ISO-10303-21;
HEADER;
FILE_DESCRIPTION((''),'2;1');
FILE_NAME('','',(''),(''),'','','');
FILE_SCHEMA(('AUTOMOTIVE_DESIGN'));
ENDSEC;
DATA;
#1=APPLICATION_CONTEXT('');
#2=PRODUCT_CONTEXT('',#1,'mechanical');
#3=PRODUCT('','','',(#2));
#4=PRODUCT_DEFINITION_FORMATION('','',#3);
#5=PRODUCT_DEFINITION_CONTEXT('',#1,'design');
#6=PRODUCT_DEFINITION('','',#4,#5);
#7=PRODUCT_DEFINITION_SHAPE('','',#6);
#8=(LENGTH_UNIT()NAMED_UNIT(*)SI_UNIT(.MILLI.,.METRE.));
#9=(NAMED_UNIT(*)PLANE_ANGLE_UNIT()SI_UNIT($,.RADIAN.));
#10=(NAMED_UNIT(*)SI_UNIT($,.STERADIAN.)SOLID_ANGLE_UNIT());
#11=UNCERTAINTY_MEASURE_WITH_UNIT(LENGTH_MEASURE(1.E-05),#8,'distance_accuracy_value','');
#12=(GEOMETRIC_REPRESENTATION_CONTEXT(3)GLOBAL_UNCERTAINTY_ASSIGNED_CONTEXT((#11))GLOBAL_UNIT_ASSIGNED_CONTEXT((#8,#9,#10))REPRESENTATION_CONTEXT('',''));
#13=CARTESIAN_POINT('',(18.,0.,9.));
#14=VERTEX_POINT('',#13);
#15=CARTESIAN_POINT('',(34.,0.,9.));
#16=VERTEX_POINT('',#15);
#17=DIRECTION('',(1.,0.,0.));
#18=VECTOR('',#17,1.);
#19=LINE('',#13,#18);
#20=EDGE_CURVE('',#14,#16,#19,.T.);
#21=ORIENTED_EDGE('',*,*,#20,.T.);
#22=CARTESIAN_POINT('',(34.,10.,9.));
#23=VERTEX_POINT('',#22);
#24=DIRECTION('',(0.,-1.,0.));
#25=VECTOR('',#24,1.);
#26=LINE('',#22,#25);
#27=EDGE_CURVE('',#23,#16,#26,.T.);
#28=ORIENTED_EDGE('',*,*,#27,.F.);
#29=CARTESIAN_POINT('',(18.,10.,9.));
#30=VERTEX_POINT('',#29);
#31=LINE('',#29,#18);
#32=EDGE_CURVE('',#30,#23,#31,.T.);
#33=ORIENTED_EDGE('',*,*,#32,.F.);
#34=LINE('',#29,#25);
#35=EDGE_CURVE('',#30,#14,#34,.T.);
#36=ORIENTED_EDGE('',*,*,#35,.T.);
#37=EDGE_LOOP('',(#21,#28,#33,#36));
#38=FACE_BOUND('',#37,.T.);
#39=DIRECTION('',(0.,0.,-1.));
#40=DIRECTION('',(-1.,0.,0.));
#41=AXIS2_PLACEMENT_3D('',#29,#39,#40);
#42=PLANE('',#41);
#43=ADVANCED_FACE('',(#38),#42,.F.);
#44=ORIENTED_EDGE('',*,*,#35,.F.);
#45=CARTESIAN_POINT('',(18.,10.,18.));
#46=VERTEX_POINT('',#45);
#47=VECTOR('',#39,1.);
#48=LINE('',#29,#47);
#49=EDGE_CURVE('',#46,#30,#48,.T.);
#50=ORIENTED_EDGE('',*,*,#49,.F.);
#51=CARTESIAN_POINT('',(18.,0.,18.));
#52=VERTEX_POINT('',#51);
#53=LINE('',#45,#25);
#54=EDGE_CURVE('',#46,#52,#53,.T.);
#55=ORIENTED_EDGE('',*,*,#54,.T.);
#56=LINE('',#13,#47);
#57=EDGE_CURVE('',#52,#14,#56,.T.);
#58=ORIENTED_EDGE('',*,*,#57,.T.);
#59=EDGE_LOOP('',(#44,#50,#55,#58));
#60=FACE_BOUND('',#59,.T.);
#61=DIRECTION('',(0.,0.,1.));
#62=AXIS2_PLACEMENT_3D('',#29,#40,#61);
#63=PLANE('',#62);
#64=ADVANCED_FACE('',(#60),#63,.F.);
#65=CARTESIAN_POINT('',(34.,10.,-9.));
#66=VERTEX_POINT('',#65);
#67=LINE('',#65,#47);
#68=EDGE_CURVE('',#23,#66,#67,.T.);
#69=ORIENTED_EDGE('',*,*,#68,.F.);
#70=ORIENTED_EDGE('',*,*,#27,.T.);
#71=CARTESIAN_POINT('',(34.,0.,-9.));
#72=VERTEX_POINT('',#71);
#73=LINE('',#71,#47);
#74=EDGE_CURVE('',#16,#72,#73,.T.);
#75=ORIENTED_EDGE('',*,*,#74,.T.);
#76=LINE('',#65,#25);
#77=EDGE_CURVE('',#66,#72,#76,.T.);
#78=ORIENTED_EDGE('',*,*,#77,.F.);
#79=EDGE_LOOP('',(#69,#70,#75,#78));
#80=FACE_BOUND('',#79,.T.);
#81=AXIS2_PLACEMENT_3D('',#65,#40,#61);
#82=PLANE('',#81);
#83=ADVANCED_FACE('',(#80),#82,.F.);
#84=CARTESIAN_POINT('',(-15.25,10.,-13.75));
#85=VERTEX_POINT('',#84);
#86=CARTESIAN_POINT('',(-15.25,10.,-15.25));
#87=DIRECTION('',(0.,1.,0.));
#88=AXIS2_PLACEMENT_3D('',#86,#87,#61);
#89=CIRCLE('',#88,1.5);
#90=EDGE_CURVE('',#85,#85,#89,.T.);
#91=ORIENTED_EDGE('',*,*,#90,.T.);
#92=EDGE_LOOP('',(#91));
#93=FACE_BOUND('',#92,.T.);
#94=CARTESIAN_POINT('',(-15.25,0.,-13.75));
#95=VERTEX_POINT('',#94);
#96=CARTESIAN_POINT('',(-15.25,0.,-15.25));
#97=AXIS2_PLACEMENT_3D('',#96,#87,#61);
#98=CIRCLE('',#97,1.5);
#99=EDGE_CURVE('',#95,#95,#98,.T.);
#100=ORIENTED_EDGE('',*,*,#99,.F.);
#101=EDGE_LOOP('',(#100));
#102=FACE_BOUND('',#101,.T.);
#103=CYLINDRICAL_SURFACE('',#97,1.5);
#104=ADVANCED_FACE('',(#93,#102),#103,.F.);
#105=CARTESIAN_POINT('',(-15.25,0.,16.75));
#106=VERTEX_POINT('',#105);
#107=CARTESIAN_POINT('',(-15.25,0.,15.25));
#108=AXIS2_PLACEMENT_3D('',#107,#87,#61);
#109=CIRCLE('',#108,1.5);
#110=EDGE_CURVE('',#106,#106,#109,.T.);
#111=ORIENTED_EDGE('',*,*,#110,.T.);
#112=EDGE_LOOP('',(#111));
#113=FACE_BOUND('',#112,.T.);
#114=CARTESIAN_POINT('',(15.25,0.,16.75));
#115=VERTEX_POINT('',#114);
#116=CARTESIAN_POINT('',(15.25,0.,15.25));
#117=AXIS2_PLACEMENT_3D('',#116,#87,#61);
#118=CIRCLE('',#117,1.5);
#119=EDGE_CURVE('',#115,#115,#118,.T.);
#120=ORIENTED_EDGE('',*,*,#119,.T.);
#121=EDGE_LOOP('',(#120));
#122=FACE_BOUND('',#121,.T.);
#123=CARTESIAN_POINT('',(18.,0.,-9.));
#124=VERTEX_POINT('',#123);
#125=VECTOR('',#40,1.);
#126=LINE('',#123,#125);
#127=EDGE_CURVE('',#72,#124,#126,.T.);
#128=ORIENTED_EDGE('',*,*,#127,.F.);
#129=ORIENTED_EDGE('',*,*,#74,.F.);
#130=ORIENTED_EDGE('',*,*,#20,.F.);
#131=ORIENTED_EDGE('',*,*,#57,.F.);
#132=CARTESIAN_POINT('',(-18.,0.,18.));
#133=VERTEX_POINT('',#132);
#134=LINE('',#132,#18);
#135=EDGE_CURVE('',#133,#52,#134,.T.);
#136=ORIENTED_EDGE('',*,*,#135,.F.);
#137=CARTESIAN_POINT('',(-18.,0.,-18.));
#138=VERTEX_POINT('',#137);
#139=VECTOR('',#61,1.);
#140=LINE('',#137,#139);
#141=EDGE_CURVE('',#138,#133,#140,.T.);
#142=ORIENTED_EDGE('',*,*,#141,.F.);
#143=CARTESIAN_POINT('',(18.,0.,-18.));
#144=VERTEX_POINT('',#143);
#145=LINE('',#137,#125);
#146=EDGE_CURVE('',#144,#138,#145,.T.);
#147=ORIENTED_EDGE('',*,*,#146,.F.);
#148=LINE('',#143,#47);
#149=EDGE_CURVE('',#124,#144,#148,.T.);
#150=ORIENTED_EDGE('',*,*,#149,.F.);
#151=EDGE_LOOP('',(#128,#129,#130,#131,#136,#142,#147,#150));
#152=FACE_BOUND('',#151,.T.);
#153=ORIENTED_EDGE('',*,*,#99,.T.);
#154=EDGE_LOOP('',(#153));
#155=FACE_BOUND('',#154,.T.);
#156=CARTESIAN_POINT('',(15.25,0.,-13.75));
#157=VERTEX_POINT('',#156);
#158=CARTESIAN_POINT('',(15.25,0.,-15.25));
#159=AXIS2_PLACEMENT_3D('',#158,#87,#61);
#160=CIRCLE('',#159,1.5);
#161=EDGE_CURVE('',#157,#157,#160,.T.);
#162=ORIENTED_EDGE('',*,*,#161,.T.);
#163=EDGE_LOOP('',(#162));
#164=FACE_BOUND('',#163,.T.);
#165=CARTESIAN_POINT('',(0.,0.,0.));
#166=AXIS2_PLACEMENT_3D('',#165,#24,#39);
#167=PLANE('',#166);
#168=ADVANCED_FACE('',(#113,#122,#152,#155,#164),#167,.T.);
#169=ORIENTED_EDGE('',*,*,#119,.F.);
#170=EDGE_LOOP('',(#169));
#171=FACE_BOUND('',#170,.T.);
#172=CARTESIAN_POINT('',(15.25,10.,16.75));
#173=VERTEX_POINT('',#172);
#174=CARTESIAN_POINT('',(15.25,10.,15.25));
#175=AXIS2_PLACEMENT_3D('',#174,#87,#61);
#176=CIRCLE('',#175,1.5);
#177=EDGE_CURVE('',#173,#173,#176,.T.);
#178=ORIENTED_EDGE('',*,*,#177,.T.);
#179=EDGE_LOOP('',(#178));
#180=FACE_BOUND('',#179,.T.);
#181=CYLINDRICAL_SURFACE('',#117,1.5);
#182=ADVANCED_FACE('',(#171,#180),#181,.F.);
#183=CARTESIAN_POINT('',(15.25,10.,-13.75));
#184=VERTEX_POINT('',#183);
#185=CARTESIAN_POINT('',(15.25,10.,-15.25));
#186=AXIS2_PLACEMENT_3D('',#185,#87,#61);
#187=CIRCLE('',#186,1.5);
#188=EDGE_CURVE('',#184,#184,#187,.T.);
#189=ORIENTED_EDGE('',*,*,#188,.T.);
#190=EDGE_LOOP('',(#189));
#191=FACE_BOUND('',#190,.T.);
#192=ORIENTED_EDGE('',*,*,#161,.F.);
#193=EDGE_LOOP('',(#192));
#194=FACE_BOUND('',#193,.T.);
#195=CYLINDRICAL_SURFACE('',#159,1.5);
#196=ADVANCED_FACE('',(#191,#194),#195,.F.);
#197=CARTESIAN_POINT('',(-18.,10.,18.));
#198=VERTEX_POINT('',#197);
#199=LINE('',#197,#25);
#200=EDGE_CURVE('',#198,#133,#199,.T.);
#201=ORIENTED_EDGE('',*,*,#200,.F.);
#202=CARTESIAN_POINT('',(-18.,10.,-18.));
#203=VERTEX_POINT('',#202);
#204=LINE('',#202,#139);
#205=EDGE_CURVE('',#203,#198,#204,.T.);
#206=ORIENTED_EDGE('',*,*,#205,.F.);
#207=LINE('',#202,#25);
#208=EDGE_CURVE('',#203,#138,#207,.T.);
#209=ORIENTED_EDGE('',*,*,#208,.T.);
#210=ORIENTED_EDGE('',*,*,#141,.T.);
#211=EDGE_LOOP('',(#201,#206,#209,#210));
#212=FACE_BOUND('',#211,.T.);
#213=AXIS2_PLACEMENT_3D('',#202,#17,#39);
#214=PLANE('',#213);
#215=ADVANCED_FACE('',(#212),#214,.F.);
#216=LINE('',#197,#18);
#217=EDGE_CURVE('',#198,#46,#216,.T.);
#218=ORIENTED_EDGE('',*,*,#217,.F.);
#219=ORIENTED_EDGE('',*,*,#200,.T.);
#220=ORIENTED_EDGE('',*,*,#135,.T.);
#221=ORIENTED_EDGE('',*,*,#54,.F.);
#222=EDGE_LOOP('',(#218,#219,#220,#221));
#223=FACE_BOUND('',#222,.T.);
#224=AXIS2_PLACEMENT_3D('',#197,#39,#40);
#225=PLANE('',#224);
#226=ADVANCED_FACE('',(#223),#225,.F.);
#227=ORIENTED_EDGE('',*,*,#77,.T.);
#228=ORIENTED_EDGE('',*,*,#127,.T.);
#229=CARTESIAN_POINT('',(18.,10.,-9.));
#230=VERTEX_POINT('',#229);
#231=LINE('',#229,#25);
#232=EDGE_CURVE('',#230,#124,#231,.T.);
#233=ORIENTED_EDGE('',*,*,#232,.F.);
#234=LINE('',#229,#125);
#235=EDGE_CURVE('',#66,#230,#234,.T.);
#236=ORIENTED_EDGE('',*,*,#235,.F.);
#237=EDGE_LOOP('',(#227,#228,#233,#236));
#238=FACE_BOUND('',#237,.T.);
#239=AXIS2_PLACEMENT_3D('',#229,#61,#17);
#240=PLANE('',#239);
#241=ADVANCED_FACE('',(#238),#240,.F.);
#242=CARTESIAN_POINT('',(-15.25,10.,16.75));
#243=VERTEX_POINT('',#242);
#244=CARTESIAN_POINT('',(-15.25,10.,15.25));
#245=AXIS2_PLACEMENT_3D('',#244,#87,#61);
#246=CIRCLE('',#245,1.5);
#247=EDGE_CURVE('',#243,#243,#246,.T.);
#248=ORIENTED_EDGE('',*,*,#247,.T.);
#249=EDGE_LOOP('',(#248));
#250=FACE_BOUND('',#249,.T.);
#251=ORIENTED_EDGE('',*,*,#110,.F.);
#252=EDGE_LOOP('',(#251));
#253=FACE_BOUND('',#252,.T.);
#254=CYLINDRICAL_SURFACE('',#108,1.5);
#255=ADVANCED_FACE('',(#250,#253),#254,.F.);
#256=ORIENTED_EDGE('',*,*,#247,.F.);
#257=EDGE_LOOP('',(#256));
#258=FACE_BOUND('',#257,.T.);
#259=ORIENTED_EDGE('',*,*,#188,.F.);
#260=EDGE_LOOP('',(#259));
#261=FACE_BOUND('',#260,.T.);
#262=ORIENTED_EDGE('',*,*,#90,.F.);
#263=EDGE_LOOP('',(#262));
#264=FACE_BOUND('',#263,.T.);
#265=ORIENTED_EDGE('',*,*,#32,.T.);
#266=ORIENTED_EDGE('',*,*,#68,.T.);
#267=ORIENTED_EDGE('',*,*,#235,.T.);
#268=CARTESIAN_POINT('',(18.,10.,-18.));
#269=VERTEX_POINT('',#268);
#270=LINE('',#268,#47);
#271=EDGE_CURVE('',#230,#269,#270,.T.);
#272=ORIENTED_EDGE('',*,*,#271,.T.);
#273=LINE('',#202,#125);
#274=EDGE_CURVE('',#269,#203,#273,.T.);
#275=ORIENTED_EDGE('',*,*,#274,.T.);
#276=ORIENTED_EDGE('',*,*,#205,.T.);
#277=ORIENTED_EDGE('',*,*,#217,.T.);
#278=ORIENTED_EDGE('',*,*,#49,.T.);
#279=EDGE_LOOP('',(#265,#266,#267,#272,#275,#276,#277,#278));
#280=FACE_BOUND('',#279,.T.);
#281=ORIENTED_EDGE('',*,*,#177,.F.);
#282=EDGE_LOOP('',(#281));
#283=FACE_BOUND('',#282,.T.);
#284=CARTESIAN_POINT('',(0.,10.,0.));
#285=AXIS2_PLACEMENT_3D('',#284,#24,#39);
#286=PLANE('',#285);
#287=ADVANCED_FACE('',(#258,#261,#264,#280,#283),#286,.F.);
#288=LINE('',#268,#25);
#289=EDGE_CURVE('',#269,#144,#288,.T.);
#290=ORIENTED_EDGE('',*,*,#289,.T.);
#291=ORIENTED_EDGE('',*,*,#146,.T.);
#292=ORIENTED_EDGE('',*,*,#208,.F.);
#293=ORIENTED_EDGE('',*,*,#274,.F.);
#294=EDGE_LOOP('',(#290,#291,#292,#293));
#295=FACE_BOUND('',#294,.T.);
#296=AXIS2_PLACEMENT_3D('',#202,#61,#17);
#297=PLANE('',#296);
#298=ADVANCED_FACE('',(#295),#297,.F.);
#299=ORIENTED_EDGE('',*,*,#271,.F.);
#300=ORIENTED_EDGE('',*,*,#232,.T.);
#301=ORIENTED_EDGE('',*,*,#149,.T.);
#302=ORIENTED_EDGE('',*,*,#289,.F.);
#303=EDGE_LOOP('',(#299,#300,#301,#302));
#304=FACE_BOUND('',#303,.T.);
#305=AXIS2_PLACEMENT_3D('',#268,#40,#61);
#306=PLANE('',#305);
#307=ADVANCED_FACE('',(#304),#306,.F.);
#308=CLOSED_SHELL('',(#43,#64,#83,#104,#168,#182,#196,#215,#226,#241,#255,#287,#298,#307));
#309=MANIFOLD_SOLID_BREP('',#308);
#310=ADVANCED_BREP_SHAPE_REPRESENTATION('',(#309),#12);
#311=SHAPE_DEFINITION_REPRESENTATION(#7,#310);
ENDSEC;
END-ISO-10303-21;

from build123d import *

# Parameters (mm, degrees)
BOSS_EXTRUDE1_DEPTH = 10
SKETCH2_R           = 1.5
CUT_EXTRUDE1_DEPTH  = 10


with BuildPart() as part:
    # Sketch1 → Boss-Extrude1 (new body)
    with BuildSketch(Plane(origin=(0, 0, 0), x_dir=(1, 0, 0), z_dir=(0, 1, 0))):
        Polygon((18, -9), (18, -18), (-18, -18), (-18, 18), (18, 18), (18, 9), (34, 9), (34, -9), align=None)
    extrude(amount=BOSS_EXTRUDE1_DEPTH)

    # Sketch2 → Cut-Extrude1 (cut)
    with BuildSketch(Plane(origin=(0, 10, 0), x_dir=(1, 0, 0), z_dir=(0, 1, 0))):
        with Locations(Location((-15.25, 15.25, 0), (0, 0, 270))):
            Circle(SKETCH2_R)
        with Locations(Location((15.25, 15.25, 0), (0, 0, 270))):
            Circle(SKETCH2_R)
        with Locations(Location((-15.25, -15.25, 0), (0, 0, 270))):
            Circle(SKETCH2_R)
        with Locations(Location((15.25, -15.25, 0), (0, 0, 270))):
            Circle(SKETCH2_R)
    extrude(amount=-CUT_EXTRUDE1_DEPTH, mode=Mode.SUBTRACT)


solid = part.part
